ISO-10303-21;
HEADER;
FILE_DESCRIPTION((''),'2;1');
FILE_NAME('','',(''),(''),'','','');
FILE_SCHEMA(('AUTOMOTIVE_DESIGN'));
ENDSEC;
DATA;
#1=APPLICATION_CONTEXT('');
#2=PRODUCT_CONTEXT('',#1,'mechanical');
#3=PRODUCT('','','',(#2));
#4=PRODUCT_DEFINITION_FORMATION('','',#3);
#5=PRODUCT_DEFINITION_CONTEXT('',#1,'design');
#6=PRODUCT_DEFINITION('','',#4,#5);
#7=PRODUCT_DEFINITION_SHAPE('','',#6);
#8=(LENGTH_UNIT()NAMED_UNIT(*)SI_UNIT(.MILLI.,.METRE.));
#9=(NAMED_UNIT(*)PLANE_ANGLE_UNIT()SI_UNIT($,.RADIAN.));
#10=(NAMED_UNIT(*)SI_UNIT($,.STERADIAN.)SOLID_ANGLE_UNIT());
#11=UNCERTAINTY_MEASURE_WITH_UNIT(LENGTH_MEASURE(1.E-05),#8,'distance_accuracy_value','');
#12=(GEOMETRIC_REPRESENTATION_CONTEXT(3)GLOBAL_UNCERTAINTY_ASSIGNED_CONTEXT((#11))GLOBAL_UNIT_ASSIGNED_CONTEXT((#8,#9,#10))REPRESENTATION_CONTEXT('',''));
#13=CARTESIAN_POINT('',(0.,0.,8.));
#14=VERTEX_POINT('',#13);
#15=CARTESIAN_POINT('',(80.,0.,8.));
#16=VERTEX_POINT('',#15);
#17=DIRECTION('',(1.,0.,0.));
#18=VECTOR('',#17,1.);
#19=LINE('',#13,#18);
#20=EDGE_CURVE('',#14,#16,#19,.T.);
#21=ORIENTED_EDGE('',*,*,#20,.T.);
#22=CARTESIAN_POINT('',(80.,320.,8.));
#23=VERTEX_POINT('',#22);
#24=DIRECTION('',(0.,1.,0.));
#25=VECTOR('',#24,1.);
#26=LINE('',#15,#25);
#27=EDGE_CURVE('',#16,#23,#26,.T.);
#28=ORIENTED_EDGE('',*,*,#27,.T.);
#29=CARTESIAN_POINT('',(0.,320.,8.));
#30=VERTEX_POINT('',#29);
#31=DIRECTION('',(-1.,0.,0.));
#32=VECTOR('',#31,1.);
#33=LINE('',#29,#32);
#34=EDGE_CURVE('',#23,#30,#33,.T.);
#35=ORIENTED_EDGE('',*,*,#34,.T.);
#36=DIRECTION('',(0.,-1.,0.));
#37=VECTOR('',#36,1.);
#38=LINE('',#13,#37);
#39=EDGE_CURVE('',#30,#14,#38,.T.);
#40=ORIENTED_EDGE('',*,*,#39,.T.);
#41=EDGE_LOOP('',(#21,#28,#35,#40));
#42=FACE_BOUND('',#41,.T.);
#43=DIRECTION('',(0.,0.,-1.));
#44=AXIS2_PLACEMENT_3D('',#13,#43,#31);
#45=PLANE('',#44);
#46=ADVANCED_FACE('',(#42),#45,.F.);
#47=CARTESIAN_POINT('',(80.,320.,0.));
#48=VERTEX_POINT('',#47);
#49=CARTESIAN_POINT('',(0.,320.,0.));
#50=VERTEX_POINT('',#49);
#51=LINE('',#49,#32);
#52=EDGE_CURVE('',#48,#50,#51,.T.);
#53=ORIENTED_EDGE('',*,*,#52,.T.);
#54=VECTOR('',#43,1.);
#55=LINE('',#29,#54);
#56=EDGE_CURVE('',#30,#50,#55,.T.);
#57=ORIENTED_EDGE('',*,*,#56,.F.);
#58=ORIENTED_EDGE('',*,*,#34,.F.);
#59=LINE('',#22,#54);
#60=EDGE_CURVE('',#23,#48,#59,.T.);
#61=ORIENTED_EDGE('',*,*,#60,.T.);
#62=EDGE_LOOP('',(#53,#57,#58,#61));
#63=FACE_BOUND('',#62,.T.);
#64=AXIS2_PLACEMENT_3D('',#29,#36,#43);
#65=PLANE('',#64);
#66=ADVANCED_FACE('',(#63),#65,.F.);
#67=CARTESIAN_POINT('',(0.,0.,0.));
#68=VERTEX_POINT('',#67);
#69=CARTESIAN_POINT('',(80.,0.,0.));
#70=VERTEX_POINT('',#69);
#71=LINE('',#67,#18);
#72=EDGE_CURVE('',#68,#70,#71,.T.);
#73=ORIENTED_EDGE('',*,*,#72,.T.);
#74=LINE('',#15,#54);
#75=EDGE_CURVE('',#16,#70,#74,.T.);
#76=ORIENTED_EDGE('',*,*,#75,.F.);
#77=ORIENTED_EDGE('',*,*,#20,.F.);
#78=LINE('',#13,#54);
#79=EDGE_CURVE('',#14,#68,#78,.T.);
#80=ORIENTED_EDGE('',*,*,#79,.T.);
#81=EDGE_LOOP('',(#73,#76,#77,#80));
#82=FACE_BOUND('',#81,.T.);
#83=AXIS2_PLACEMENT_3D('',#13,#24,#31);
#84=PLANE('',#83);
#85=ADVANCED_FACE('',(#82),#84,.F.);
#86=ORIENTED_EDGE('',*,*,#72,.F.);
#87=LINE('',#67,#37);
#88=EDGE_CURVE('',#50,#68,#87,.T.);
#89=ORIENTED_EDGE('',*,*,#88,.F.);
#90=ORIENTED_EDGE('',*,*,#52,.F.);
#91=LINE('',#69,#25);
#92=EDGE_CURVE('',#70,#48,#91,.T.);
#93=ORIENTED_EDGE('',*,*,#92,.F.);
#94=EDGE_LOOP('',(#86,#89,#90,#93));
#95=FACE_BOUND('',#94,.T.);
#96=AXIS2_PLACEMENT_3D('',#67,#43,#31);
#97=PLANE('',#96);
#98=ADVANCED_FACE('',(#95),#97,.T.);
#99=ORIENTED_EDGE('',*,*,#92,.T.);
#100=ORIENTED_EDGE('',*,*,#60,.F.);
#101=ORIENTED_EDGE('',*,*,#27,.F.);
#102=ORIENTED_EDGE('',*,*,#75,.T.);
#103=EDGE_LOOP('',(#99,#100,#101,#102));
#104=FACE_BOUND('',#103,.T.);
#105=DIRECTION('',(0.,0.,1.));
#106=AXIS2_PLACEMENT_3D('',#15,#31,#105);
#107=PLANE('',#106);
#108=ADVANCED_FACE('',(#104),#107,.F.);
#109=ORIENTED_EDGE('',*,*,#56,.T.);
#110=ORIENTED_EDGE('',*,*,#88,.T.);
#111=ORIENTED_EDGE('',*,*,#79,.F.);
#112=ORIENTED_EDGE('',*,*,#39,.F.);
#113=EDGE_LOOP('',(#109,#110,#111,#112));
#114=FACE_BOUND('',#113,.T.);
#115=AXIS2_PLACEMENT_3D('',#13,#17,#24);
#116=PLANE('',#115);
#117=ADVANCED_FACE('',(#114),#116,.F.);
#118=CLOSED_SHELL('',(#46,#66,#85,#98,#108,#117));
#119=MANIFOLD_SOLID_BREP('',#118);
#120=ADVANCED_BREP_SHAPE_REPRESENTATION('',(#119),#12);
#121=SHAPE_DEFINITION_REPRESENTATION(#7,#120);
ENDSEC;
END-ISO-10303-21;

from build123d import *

# Parameters (mm, degrees)
SKETCH_1_W        = 80
SKETCH_1_H        = 320
EXTRUDE_300_DEPTH = 8


with BuildPart() as part:
    # 草图1 → Extrude 300 (new body)
    with BuildSketch(Plane.XY):
        with Locations((40, 160)):
            Rectangle(SKETCH_1_W, SKETCH_1_H)
    extrude(amount=EXTRUDE_300_DEPTH)


solid = part.part
